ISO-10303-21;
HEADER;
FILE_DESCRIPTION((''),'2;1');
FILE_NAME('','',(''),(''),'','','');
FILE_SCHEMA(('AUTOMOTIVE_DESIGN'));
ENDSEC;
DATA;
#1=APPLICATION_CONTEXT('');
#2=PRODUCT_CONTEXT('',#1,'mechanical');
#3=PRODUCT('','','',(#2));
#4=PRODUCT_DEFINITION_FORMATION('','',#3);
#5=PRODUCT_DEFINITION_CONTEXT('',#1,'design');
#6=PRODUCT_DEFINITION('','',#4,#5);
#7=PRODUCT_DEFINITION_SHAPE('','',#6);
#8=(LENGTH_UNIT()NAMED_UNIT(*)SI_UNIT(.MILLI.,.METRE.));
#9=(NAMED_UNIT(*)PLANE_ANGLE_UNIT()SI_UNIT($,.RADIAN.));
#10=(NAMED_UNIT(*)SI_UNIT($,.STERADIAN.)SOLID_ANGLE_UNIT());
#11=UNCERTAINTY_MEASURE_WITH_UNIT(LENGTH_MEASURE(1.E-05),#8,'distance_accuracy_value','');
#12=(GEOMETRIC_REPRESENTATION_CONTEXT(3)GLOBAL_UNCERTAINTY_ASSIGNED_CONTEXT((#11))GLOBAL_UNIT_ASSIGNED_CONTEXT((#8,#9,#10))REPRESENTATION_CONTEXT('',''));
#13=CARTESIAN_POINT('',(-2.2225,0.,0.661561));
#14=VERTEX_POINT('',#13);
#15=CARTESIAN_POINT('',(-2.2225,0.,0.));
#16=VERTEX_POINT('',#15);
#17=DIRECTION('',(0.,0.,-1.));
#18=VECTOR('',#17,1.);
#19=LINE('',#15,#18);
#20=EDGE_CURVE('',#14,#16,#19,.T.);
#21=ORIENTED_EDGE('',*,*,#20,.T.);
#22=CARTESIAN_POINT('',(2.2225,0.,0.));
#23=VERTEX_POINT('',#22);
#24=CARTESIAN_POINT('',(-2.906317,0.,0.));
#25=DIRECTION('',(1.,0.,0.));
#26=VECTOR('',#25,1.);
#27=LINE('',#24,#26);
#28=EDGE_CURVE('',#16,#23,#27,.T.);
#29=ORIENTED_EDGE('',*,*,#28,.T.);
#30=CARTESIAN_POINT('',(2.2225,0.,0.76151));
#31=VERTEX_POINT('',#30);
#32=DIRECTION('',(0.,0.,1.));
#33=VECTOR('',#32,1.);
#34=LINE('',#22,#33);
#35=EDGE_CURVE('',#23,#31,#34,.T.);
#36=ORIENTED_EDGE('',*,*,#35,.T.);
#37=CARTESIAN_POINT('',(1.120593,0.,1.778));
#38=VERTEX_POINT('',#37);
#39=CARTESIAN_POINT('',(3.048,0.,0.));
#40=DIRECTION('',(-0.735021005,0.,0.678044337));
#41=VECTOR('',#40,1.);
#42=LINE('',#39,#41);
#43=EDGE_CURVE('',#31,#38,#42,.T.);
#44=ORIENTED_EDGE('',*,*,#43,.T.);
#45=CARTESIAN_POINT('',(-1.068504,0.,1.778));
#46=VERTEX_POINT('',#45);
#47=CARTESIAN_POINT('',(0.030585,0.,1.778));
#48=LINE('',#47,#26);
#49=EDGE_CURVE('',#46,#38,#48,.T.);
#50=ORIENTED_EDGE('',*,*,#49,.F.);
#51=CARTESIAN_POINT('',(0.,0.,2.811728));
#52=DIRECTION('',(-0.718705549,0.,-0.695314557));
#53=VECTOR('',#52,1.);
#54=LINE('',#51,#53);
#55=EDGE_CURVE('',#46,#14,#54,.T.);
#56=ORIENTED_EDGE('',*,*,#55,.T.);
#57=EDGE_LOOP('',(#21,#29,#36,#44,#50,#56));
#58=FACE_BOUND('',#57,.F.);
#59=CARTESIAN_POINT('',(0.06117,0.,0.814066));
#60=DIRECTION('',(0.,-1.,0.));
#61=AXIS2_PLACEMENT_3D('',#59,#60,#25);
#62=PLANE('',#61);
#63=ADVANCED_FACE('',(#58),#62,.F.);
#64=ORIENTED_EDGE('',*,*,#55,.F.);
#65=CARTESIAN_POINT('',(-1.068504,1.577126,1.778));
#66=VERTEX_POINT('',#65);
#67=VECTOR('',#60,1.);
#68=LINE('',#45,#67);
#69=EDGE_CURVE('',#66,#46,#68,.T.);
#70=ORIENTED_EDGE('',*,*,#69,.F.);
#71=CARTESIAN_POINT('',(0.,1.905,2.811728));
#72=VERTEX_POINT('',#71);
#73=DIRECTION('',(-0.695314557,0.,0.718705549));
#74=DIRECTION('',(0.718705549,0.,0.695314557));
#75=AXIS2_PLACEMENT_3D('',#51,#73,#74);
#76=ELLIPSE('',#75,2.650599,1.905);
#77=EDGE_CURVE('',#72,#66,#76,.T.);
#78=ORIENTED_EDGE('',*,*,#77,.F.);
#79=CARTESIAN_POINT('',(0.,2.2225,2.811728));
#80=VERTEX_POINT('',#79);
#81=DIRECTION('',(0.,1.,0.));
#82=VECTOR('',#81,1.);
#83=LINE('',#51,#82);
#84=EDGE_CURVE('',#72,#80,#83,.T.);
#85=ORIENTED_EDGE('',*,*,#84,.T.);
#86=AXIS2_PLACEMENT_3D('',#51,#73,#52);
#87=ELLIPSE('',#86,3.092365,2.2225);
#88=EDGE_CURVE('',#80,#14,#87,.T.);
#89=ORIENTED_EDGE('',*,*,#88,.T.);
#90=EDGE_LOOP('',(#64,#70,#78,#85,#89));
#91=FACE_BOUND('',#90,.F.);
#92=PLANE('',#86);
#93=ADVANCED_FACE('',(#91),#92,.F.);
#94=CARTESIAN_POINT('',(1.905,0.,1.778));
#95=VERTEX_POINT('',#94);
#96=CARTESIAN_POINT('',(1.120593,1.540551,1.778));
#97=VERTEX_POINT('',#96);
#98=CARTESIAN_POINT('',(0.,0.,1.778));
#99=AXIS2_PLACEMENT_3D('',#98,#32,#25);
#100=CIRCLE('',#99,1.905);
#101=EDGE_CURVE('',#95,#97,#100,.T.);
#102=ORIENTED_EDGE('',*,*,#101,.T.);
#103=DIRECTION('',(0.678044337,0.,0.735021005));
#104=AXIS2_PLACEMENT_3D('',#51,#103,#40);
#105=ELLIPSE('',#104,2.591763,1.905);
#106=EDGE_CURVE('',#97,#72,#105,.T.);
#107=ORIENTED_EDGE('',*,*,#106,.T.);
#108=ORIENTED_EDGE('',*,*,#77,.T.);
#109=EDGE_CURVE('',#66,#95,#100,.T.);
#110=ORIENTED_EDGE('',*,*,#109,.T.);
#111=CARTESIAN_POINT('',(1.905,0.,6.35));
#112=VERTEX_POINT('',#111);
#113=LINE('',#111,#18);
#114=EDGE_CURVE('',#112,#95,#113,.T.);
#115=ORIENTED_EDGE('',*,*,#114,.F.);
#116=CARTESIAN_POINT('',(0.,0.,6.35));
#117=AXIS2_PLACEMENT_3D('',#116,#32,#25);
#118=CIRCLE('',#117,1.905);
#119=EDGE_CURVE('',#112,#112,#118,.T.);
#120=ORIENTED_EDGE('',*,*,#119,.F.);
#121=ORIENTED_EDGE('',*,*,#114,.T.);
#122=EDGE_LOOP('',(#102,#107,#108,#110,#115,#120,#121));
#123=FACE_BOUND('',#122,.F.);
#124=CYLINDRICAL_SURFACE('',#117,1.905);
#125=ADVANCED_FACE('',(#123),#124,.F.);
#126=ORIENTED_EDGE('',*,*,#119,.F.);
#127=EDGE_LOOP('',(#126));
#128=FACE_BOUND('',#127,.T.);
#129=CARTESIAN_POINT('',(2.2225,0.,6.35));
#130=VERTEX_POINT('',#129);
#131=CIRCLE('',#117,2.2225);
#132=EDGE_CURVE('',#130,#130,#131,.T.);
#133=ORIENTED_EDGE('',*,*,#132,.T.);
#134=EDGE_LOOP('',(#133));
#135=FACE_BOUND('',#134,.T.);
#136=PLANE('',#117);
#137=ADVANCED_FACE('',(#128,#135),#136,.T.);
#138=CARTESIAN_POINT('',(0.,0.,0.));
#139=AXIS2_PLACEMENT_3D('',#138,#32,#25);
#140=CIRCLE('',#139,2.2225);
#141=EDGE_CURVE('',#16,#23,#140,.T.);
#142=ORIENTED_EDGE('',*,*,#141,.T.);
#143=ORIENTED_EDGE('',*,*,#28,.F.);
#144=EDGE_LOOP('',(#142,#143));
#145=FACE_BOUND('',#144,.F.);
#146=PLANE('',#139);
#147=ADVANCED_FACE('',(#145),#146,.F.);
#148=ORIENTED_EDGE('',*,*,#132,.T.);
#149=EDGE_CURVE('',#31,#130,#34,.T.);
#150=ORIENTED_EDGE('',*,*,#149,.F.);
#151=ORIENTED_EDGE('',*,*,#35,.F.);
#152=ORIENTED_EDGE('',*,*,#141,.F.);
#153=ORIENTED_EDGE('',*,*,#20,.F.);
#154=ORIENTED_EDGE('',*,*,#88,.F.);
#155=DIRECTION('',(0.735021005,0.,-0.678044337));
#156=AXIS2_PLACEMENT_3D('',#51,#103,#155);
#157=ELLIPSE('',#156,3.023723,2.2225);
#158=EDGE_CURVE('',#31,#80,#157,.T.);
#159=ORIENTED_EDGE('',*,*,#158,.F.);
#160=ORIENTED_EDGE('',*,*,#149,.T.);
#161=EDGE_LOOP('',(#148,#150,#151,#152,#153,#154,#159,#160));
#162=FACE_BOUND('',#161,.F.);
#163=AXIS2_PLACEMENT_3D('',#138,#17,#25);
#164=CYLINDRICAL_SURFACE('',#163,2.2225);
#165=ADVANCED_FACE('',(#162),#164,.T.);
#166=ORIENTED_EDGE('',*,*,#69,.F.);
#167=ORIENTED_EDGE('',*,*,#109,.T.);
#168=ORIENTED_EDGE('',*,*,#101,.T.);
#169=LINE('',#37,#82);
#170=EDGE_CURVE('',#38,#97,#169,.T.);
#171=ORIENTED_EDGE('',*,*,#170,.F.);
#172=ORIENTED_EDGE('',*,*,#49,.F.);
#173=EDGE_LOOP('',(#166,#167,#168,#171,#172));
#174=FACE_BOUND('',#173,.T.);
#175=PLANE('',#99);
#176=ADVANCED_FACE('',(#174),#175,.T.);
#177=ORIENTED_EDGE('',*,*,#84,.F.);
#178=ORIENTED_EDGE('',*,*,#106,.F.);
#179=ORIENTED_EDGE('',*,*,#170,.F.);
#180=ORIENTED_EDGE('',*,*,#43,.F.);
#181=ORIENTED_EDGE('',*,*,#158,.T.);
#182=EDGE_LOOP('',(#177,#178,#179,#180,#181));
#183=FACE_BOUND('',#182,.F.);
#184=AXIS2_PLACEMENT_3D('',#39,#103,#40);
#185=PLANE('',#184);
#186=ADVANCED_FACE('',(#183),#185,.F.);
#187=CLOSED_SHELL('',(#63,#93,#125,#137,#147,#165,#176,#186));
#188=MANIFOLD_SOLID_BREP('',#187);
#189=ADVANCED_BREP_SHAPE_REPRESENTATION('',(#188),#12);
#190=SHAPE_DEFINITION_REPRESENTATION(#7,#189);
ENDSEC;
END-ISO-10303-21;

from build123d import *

# Parameters (mm, degrees)
F0_R     = 2.2225
F1_DEPTH = 6.35
F2_R     = 1.905
F3_DEPTH = 4.572
F5_DEPTH = 2.2235


with BuildPart() as f1:
    # F0 (on Top) → F1 (new body)
    with BuildSketch(Plane.XY):
        Circle(F0_R)
    extrude(amount=F1_DEPTH)

    # F2 (on face) → F3 (cut)
    with BuildSketch(Plane.XY.offset(6.35)):
        Circle(F2_R)
    extrude(amount=-F3_DEPTH, mode=Mode.SUBTRACT)

    # F4 (on Front) → F5 (cut, through all)
    with BuildSketch(Plane.XZ):
        Polygon((0, 2.811728), (-2.906317, 0), (3.048, 0), align=None)
    extrude(amount=-F5_DEPTH, mode=Mode.SUBTRACT)


solid = f1.part
